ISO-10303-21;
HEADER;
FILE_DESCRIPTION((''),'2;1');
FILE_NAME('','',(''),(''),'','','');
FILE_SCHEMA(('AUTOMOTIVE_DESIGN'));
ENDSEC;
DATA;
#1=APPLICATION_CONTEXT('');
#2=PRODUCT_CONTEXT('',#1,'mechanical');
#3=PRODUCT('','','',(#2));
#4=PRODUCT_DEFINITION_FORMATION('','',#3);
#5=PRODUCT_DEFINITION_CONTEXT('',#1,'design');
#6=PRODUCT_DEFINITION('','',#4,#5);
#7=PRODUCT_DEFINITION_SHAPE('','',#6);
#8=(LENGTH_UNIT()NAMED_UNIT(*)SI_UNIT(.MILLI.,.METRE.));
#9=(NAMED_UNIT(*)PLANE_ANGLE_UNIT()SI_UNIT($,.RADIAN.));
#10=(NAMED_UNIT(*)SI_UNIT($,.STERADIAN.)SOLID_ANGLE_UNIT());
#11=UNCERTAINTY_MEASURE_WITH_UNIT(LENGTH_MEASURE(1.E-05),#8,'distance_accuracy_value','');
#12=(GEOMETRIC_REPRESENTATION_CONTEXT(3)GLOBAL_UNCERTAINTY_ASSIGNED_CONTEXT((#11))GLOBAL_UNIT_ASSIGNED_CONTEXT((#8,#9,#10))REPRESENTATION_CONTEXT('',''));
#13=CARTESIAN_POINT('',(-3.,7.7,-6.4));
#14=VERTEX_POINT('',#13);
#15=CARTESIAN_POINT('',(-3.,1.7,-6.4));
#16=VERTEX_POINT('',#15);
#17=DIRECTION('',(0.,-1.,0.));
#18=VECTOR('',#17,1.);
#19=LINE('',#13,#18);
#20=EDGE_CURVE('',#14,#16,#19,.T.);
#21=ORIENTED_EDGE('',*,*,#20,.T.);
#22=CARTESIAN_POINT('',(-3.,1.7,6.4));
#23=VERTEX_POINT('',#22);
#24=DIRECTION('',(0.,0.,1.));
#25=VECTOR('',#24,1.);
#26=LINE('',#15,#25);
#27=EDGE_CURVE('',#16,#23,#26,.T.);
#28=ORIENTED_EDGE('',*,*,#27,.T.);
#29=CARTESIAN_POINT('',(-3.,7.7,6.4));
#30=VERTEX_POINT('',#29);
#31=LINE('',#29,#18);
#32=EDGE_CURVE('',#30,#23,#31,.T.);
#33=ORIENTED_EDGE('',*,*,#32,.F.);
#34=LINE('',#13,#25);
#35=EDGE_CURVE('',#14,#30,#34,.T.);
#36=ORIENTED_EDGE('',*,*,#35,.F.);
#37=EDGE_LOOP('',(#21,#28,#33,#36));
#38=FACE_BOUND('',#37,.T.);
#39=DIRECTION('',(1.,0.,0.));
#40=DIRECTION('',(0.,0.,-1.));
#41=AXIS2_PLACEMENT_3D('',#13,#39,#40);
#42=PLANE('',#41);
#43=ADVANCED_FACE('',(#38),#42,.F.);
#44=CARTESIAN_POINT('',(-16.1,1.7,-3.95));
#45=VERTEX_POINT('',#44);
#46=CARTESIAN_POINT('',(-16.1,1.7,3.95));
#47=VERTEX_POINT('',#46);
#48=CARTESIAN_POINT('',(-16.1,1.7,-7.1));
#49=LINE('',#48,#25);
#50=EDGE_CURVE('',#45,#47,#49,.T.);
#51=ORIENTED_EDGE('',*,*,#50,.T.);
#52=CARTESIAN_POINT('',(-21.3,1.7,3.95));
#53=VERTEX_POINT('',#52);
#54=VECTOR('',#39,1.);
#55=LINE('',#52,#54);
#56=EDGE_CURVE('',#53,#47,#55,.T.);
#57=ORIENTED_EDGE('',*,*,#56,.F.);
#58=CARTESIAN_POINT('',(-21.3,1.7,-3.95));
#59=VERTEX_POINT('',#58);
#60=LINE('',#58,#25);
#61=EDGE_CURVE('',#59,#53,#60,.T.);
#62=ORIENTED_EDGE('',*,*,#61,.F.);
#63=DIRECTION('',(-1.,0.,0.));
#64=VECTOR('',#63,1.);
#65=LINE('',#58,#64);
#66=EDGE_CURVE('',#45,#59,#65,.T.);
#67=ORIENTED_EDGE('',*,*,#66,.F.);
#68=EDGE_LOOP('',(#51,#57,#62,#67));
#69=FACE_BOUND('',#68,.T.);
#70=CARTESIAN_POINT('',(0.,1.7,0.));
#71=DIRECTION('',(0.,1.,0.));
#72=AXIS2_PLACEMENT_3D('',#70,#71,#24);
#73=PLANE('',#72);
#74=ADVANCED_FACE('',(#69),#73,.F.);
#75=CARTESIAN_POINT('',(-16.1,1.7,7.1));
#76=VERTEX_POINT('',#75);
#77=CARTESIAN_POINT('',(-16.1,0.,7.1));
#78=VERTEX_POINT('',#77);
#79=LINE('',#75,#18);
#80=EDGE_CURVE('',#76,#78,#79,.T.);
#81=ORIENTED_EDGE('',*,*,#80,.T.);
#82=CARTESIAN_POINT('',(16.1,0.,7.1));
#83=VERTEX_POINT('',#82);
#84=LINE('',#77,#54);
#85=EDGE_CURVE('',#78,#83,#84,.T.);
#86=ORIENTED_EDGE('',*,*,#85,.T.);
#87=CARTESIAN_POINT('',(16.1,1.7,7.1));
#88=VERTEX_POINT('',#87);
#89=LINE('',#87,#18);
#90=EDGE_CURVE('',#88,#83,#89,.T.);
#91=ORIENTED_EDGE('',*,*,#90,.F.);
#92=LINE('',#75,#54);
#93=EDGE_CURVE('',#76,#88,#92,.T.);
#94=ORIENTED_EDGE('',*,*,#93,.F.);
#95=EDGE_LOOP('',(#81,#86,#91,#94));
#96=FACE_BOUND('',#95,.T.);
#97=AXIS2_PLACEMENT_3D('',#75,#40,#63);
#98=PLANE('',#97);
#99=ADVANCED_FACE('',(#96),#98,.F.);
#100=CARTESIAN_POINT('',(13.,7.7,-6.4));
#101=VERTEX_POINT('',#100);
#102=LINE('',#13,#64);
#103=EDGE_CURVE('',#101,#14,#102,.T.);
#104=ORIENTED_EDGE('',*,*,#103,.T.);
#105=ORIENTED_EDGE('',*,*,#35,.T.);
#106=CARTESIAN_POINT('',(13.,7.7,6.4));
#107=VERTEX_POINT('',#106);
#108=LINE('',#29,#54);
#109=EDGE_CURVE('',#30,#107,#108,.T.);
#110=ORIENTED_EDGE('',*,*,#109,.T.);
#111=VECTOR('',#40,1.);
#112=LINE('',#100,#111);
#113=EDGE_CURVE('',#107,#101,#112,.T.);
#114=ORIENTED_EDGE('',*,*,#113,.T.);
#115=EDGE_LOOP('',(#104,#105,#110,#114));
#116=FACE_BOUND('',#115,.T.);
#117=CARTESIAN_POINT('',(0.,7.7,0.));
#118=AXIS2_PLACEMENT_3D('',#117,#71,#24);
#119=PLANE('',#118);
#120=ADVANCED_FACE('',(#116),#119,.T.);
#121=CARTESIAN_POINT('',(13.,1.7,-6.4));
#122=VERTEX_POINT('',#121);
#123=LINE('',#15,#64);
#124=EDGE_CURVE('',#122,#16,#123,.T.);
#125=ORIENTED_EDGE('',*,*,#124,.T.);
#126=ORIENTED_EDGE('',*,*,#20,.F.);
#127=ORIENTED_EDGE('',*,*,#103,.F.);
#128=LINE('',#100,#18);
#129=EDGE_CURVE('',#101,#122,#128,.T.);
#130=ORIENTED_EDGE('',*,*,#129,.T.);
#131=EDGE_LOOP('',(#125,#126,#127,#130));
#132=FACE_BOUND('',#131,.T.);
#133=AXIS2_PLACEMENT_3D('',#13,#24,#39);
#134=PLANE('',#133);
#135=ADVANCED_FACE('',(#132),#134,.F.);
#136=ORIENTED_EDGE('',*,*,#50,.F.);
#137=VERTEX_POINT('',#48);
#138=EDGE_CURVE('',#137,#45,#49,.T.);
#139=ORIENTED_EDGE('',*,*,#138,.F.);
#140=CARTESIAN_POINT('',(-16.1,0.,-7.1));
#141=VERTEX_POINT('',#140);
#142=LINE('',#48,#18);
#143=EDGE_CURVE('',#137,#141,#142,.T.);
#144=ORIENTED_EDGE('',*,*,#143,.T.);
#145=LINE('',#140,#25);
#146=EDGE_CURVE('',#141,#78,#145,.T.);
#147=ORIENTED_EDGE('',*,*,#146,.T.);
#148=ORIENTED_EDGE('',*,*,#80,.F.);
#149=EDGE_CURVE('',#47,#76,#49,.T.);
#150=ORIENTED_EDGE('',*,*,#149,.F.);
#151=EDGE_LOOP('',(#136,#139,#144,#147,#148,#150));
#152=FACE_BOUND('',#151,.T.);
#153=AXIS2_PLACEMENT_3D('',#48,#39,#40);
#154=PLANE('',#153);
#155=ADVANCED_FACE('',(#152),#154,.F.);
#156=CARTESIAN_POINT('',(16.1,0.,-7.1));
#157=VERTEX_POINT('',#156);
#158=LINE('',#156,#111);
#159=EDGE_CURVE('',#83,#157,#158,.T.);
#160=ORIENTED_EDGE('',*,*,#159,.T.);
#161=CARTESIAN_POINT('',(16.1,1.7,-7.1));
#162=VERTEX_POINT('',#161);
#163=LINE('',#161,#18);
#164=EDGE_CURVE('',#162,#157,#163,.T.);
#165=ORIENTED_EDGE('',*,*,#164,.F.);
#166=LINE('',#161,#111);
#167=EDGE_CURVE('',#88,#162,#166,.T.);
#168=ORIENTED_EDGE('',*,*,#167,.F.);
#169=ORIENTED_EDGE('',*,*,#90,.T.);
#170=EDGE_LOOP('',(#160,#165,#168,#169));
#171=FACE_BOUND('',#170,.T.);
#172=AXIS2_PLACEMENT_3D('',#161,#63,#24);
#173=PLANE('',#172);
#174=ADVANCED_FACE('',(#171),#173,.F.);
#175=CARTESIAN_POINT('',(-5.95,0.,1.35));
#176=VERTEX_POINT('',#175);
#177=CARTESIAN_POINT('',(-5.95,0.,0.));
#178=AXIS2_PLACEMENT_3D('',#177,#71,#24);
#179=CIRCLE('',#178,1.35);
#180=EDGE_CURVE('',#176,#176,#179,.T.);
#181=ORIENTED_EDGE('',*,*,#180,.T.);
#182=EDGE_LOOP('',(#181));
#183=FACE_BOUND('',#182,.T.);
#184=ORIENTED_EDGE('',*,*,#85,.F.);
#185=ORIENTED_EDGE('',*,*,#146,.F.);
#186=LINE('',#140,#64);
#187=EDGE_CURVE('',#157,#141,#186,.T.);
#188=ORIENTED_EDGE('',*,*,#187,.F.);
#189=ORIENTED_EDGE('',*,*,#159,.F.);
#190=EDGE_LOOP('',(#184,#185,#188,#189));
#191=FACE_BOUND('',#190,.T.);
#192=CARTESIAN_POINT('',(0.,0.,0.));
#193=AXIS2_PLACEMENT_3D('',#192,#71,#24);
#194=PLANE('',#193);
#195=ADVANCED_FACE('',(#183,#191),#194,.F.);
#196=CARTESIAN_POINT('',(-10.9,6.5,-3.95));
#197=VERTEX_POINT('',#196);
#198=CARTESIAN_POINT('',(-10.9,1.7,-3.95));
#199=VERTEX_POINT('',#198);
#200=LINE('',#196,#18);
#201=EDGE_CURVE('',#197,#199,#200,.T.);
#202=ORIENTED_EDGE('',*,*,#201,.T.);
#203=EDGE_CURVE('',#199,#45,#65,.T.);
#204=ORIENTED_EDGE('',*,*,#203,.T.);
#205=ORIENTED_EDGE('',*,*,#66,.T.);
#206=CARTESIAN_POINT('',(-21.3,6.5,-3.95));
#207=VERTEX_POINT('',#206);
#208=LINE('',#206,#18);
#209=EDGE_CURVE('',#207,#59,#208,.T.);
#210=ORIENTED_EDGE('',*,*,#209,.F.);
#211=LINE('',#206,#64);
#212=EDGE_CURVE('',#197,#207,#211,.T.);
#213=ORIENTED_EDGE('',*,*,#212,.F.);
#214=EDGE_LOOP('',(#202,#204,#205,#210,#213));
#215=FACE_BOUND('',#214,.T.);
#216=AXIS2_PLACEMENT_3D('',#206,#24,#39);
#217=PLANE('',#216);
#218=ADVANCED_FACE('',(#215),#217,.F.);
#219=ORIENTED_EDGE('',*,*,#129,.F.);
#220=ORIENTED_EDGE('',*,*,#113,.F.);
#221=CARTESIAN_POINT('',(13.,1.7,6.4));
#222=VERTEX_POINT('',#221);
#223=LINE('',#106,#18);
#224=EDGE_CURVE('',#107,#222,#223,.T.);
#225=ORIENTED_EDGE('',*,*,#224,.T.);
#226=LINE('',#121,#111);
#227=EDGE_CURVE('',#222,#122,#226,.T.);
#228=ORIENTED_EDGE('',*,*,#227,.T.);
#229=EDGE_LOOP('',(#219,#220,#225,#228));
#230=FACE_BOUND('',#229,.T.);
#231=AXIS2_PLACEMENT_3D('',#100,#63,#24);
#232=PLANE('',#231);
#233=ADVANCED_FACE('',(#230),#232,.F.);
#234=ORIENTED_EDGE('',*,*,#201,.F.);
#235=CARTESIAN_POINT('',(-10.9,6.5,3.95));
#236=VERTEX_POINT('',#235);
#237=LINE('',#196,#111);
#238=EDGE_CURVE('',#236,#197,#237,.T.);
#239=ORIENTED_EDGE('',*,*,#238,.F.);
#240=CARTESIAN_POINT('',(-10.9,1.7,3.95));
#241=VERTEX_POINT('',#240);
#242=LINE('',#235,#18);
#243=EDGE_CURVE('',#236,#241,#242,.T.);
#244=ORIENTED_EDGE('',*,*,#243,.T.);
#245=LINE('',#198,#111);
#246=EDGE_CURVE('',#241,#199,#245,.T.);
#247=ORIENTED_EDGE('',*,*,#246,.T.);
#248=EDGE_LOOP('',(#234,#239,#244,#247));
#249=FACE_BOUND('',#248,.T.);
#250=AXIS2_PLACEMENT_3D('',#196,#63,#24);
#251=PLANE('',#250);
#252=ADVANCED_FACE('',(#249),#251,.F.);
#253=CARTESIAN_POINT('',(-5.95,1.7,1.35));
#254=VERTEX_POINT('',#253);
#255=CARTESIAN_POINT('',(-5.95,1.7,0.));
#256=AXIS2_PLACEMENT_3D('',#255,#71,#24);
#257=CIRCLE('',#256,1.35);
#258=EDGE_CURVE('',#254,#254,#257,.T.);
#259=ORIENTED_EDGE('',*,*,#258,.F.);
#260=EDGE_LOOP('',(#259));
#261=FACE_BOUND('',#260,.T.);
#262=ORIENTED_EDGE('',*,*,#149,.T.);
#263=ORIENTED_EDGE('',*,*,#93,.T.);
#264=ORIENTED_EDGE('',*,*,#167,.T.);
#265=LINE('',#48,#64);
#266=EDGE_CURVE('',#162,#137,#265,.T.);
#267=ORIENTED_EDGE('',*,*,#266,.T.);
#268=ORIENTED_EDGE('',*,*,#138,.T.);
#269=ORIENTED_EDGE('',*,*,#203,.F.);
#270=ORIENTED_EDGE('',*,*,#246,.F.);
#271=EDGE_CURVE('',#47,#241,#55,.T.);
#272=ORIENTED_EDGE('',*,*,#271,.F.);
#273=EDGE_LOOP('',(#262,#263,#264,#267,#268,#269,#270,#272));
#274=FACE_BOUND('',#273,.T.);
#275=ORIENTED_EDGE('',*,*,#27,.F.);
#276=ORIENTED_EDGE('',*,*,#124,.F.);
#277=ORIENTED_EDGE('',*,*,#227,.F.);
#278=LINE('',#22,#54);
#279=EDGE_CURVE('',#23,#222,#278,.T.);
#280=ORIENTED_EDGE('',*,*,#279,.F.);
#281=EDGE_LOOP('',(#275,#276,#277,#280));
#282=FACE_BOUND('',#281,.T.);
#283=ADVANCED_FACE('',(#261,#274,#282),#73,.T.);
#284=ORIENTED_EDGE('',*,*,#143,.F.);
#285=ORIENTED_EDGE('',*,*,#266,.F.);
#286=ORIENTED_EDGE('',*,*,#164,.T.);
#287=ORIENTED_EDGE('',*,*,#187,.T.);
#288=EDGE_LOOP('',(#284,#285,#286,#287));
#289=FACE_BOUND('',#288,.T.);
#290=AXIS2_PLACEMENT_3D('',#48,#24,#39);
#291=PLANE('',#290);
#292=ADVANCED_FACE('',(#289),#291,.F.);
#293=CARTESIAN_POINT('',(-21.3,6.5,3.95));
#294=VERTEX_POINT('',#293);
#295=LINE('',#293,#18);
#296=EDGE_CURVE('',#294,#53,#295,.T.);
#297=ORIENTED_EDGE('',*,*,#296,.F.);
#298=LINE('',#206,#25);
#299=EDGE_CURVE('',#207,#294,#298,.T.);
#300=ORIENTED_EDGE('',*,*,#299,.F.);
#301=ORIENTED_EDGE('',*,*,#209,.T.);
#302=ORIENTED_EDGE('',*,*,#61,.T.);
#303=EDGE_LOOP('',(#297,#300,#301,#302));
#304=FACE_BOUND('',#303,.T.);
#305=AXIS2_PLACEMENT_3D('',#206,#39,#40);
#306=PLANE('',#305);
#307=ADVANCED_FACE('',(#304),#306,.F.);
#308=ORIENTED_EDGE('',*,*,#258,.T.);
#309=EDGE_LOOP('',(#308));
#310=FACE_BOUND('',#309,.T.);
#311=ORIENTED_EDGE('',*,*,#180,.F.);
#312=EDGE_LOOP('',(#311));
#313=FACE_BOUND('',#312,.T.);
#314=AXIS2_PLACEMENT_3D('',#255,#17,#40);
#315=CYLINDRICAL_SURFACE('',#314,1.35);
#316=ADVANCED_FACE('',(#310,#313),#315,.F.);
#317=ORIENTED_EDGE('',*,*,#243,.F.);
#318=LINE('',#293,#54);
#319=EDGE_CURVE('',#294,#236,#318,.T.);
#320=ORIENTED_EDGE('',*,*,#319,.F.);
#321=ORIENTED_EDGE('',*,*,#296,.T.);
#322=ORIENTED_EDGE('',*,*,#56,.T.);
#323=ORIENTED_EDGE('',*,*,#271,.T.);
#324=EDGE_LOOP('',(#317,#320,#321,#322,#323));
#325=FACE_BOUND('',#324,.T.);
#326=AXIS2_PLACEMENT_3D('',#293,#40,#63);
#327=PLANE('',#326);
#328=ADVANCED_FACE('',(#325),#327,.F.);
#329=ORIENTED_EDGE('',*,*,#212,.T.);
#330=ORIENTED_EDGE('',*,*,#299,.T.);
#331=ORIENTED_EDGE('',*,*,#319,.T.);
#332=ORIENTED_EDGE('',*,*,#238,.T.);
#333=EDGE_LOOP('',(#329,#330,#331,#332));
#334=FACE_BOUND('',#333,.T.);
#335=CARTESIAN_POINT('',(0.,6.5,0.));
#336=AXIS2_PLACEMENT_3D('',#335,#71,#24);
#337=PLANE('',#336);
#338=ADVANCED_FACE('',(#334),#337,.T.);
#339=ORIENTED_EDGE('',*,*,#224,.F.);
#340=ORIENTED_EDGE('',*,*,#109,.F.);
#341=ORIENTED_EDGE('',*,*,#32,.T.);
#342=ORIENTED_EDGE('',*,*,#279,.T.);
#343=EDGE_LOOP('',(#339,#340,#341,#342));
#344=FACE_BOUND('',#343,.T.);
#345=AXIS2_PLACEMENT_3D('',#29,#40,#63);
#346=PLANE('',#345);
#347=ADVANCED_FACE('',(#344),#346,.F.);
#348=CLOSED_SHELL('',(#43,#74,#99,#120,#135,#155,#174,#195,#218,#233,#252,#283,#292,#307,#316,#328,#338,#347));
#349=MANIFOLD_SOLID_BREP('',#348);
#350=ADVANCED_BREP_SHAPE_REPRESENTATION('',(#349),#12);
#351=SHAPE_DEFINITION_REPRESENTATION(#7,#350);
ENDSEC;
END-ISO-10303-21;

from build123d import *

# Parameters (mm, degrees)
SKETCH1_W           = 32.2
SKETCH1_H           = 14.2
SKETCH1_R           = 1.35
BOSS_EXTRUDE1_DEPTH = 1.7
SKETCH2_W           = 16
SKETCH2_H           = 12.8
BOSS_EXTRUDE2_DEPTH = 6
SKETCH3_W           = 10.4
SKETCH3_H           = 7.9
BOSS_EXTRUDE3_DEPTH = 4.8


with BuildPart() as part:
    # Sketch1 → Boss-Extrude1 (new body)
    with BuildSketch(Plane(origin=(0, 0, 0), x_dir=(1, 0, 0), z_dir=(0, 1, 0))):
        Rectangle(SKETCH1_W, SKETCH1_H)
        with Locations(Location((-5.95, 0, 0), (0, 0, 270))):
            Circle(SKETCH1_R, mode=Mode.SUBTRACT)
    extrude(amount=BOSS_EXTRUDE1_DEPTH)

    # Sketch2 → Boss-Extrude2 (add)
    with BuildSketch(Plane(origin=(0, 1.7, 0), x_dir=(1, 0, 0), z_dir=(0, 1, 0))):
        with Locations((5, 0)):
            Rectangle(SKETCH2_W, SKETCH2_H)
    extrude(amount=BOSS_EXTRUDE2_DEPTH)

    # Sketch3 → Boss-Extrude3 (add)
    with BuildSketch(Plane(origin=(0, 1.7, 0), x_dir=(1, 0, 0), z_dir=(0, 1, 0))):
        with Locations((-16.1, 0)):
            Rectangle(SKETCH3_W, SKETCH3_H)
    extrude(amount=BOSS_EXTRUDE3_DEPTH)


solid = part.part
